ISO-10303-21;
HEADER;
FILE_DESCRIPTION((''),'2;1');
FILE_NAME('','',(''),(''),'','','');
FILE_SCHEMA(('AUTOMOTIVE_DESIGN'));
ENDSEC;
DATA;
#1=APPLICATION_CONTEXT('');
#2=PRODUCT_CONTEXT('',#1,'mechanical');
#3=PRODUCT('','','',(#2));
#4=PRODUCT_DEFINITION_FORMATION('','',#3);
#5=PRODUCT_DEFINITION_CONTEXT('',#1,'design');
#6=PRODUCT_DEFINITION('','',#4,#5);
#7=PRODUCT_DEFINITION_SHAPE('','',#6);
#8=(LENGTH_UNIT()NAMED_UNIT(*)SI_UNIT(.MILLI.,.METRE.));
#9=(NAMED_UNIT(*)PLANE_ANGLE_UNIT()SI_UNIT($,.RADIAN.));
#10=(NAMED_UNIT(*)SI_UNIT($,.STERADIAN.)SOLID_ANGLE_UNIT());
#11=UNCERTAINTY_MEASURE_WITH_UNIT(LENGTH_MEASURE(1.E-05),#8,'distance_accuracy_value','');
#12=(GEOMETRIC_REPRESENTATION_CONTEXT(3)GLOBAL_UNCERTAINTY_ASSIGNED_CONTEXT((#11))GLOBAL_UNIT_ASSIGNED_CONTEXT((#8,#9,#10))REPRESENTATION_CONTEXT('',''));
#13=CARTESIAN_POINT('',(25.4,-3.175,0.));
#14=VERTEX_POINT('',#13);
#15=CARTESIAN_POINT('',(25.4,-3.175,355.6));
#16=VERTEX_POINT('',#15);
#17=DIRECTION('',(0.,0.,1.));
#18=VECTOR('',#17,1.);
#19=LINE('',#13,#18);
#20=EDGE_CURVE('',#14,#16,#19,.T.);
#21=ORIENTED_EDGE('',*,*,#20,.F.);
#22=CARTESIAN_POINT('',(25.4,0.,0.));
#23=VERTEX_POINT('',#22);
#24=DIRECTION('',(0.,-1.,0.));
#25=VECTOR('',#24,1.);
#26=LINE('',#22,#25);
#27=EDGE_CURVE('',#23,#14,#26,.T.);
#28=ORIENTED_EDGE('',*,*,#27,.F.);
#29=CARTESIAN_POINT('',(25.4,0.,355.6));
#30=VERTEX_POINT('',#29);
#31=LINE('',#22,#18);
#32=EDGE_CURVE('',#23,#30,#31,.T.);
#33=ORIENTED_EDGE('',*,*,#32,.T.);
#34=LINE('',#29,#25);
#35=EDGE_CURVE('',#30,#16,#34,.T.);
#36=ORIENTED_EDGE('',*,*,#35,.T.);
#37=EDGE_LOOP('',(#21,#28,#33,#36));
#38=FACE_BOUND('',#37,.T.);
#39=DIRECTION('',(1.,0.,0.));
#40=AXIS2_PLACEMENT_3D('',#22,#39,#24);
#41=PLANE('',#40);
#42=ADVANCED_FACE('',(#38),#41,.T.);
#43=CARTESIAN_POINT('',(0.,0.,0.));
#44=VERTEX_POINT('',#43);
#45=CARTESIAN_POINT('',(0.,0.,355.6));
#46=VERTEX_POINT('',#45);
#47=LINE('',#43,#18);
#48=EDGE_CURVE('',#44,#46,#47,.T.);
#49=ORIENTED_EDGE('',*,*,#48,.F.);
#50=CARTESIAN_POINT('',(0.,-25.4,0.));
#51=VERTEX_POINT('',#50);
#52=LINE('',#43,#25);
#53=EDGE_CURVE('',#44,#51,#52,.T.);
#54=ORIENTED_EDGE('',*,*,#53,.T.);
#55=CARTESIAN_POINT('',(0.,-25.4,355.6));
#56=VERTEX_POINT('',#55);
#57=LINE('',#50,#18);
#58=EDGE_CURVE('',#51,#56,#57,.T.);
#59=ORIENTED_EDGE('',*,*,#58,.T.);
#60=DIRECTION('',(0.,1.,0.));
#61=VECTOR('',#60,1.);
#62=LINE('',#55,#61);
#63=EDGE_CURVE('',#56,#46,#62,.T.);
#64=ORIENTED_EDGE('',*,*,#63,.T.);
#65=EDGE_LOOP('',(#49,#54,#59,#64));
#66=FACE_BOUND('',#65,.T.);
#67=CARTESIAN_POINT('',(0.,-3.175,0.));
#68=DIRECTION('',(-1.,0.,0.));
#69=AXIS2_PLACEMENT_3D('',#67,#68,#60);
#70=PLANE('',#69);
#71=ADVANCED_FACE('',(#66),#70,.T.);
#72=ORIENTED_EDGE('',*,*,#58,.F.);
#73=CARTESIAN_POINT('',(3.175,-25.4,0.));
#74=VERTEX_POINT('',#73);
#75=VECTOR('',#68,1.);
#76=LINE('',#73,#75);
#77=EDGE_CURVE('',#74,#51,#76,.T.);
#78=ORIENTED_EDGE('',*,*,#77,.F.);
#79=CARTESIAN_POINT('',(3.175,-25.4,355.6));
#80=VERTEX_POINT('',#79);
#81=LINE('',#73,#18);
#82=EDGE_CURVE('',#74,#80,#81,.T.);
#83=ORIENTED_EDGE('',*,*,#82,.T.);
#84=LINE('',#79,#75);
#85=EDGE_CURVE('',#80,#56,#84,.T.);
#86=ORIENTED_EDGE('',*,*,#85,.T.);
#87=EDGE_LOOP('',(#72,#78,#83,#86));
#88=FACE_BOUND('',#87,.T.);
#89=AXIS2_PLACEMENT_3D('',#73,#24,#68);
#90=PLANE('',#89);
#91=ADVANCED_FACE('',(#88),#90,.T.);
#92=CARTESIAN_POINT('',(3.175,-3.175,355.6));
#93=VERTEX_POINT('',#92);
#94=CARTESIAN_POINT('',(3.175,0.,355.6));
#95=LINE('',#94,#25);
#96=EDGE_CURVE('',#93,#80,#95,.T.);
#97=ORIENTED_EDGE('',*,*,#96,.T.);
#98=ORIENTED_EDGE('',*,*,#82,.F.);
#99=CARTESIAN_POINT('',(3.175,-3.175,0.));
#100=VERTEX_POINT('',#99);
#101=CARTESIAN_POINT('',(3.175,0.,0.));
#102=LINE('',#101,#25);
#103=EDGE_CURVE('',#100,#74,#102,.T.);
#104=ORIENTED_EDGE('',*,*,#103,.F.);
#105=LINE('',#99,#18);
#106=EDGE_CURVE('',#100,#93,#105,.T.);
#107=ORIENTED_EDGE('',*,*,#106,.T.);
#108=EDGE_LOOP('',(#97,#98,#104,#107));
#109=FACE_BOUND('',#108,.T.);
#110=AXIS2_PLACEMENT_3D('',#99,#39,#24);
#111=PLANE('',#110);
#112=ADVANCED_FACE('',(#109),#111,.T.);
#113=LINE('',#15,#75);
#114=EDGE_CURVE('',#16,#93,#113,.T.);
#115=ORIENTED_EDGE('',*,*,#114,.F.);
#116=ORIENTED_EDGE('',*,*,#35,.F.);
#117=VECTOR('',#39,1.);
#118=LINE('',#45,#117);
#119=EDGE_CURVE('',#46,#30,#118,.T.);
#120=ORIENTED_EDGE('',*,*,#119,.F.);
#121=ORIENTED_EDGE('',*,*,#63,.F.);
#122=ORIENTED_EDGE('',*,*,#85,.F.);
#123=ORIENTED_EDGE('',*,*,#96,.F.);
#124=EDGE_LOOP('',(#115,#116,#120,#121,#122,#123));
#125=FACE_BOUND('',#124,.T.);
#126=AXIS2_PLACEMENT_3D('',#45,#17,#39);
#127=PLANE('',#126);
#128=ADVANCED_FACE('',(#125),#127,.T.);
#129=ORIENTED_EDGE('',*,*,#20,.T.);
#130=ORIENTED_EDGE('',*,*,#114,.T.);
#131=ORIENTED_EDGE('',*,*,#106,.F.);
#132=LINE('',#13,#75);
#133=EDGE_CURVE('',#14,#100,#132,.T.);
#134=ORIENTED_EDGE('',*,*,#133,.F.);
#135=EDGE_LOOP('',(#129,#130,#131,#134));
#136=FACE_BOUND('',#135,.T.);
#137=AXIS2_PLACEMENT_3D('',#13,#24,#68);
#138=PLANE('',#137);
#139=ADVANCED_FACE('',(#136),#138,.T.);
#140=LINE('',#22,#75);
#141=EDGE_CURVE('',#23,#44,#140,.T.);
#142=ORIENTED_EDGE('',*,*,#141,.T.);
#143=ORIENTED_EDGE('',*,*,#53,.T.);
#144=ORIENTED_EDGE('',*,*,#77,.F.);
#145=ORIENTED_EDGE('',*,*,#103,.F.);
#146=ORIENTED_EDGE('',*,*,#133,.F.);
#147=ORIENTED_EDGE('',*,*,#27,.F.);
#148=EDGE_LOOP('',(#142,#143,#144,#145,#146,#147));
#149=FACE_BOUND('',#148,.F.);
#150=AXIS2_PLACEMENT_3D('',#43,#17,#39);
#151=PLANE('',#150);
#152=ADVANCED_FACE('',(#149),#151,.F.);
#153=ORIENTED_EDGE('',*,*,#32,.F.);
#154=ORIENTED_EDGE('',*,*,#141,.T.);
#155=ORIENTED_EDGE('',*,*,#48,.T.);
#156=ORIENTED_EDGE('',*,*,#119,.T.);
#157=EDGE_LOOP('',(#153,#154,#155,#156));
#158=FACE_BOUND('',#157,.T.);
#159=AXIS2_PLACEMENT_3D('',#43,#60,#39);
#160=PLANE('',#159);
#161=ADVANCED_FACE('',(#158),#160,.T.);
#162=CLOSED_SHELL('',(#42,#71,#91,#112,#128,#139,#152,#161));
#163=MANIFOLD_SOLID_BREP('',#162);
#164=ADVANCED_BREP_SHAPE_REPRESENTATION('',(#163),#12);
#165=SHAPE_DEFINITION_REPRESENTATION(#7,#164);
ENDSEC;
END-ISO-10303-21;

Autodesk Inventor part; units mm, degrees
ref_plane "YZ Plane" through (0, 0, 0) normal (1, 0, 0) x (0, 1, 0)
ref_plane "XZ Plane" through (0, 0, 0) normal (0, 1, 0) x (-1, 0, 0)
ref_plane "XY Plane" through (0, 0, 0) normal (0, 0, 1) x (1, 0, 0)
sketch "Sketch1" plane through (0, 0, 0) normal (0, 0, 1) x (1, 0, 0)
  line L0 (0, 0) -> (25.4, 0)
  line L1 (25.4, 0) -> (25.4, -3.175)
  line L2 (25.4, -3.175) -> (0, -3.175)
  line L3 (0, -3.175) -> (0, 0)
  line L4 (0, 0) -> (3.175, 0)
  line L5 (3.175, 0) -> (3.175, -25.4)
  line L6 (3.175, -25.4) -> (0, -25.4)
  line L7 (0, -25.4) -> (0, 0)
  dimension "d0" = 25.4
  dimension "d1" = 3.175
  dimension "d2" = 3.175
  dimension "d3" = 25.4
extrude "Extrusion1" add sketch "Sketch1" along normal blind 355.6
properties part number "1x1 angle arm extender"
